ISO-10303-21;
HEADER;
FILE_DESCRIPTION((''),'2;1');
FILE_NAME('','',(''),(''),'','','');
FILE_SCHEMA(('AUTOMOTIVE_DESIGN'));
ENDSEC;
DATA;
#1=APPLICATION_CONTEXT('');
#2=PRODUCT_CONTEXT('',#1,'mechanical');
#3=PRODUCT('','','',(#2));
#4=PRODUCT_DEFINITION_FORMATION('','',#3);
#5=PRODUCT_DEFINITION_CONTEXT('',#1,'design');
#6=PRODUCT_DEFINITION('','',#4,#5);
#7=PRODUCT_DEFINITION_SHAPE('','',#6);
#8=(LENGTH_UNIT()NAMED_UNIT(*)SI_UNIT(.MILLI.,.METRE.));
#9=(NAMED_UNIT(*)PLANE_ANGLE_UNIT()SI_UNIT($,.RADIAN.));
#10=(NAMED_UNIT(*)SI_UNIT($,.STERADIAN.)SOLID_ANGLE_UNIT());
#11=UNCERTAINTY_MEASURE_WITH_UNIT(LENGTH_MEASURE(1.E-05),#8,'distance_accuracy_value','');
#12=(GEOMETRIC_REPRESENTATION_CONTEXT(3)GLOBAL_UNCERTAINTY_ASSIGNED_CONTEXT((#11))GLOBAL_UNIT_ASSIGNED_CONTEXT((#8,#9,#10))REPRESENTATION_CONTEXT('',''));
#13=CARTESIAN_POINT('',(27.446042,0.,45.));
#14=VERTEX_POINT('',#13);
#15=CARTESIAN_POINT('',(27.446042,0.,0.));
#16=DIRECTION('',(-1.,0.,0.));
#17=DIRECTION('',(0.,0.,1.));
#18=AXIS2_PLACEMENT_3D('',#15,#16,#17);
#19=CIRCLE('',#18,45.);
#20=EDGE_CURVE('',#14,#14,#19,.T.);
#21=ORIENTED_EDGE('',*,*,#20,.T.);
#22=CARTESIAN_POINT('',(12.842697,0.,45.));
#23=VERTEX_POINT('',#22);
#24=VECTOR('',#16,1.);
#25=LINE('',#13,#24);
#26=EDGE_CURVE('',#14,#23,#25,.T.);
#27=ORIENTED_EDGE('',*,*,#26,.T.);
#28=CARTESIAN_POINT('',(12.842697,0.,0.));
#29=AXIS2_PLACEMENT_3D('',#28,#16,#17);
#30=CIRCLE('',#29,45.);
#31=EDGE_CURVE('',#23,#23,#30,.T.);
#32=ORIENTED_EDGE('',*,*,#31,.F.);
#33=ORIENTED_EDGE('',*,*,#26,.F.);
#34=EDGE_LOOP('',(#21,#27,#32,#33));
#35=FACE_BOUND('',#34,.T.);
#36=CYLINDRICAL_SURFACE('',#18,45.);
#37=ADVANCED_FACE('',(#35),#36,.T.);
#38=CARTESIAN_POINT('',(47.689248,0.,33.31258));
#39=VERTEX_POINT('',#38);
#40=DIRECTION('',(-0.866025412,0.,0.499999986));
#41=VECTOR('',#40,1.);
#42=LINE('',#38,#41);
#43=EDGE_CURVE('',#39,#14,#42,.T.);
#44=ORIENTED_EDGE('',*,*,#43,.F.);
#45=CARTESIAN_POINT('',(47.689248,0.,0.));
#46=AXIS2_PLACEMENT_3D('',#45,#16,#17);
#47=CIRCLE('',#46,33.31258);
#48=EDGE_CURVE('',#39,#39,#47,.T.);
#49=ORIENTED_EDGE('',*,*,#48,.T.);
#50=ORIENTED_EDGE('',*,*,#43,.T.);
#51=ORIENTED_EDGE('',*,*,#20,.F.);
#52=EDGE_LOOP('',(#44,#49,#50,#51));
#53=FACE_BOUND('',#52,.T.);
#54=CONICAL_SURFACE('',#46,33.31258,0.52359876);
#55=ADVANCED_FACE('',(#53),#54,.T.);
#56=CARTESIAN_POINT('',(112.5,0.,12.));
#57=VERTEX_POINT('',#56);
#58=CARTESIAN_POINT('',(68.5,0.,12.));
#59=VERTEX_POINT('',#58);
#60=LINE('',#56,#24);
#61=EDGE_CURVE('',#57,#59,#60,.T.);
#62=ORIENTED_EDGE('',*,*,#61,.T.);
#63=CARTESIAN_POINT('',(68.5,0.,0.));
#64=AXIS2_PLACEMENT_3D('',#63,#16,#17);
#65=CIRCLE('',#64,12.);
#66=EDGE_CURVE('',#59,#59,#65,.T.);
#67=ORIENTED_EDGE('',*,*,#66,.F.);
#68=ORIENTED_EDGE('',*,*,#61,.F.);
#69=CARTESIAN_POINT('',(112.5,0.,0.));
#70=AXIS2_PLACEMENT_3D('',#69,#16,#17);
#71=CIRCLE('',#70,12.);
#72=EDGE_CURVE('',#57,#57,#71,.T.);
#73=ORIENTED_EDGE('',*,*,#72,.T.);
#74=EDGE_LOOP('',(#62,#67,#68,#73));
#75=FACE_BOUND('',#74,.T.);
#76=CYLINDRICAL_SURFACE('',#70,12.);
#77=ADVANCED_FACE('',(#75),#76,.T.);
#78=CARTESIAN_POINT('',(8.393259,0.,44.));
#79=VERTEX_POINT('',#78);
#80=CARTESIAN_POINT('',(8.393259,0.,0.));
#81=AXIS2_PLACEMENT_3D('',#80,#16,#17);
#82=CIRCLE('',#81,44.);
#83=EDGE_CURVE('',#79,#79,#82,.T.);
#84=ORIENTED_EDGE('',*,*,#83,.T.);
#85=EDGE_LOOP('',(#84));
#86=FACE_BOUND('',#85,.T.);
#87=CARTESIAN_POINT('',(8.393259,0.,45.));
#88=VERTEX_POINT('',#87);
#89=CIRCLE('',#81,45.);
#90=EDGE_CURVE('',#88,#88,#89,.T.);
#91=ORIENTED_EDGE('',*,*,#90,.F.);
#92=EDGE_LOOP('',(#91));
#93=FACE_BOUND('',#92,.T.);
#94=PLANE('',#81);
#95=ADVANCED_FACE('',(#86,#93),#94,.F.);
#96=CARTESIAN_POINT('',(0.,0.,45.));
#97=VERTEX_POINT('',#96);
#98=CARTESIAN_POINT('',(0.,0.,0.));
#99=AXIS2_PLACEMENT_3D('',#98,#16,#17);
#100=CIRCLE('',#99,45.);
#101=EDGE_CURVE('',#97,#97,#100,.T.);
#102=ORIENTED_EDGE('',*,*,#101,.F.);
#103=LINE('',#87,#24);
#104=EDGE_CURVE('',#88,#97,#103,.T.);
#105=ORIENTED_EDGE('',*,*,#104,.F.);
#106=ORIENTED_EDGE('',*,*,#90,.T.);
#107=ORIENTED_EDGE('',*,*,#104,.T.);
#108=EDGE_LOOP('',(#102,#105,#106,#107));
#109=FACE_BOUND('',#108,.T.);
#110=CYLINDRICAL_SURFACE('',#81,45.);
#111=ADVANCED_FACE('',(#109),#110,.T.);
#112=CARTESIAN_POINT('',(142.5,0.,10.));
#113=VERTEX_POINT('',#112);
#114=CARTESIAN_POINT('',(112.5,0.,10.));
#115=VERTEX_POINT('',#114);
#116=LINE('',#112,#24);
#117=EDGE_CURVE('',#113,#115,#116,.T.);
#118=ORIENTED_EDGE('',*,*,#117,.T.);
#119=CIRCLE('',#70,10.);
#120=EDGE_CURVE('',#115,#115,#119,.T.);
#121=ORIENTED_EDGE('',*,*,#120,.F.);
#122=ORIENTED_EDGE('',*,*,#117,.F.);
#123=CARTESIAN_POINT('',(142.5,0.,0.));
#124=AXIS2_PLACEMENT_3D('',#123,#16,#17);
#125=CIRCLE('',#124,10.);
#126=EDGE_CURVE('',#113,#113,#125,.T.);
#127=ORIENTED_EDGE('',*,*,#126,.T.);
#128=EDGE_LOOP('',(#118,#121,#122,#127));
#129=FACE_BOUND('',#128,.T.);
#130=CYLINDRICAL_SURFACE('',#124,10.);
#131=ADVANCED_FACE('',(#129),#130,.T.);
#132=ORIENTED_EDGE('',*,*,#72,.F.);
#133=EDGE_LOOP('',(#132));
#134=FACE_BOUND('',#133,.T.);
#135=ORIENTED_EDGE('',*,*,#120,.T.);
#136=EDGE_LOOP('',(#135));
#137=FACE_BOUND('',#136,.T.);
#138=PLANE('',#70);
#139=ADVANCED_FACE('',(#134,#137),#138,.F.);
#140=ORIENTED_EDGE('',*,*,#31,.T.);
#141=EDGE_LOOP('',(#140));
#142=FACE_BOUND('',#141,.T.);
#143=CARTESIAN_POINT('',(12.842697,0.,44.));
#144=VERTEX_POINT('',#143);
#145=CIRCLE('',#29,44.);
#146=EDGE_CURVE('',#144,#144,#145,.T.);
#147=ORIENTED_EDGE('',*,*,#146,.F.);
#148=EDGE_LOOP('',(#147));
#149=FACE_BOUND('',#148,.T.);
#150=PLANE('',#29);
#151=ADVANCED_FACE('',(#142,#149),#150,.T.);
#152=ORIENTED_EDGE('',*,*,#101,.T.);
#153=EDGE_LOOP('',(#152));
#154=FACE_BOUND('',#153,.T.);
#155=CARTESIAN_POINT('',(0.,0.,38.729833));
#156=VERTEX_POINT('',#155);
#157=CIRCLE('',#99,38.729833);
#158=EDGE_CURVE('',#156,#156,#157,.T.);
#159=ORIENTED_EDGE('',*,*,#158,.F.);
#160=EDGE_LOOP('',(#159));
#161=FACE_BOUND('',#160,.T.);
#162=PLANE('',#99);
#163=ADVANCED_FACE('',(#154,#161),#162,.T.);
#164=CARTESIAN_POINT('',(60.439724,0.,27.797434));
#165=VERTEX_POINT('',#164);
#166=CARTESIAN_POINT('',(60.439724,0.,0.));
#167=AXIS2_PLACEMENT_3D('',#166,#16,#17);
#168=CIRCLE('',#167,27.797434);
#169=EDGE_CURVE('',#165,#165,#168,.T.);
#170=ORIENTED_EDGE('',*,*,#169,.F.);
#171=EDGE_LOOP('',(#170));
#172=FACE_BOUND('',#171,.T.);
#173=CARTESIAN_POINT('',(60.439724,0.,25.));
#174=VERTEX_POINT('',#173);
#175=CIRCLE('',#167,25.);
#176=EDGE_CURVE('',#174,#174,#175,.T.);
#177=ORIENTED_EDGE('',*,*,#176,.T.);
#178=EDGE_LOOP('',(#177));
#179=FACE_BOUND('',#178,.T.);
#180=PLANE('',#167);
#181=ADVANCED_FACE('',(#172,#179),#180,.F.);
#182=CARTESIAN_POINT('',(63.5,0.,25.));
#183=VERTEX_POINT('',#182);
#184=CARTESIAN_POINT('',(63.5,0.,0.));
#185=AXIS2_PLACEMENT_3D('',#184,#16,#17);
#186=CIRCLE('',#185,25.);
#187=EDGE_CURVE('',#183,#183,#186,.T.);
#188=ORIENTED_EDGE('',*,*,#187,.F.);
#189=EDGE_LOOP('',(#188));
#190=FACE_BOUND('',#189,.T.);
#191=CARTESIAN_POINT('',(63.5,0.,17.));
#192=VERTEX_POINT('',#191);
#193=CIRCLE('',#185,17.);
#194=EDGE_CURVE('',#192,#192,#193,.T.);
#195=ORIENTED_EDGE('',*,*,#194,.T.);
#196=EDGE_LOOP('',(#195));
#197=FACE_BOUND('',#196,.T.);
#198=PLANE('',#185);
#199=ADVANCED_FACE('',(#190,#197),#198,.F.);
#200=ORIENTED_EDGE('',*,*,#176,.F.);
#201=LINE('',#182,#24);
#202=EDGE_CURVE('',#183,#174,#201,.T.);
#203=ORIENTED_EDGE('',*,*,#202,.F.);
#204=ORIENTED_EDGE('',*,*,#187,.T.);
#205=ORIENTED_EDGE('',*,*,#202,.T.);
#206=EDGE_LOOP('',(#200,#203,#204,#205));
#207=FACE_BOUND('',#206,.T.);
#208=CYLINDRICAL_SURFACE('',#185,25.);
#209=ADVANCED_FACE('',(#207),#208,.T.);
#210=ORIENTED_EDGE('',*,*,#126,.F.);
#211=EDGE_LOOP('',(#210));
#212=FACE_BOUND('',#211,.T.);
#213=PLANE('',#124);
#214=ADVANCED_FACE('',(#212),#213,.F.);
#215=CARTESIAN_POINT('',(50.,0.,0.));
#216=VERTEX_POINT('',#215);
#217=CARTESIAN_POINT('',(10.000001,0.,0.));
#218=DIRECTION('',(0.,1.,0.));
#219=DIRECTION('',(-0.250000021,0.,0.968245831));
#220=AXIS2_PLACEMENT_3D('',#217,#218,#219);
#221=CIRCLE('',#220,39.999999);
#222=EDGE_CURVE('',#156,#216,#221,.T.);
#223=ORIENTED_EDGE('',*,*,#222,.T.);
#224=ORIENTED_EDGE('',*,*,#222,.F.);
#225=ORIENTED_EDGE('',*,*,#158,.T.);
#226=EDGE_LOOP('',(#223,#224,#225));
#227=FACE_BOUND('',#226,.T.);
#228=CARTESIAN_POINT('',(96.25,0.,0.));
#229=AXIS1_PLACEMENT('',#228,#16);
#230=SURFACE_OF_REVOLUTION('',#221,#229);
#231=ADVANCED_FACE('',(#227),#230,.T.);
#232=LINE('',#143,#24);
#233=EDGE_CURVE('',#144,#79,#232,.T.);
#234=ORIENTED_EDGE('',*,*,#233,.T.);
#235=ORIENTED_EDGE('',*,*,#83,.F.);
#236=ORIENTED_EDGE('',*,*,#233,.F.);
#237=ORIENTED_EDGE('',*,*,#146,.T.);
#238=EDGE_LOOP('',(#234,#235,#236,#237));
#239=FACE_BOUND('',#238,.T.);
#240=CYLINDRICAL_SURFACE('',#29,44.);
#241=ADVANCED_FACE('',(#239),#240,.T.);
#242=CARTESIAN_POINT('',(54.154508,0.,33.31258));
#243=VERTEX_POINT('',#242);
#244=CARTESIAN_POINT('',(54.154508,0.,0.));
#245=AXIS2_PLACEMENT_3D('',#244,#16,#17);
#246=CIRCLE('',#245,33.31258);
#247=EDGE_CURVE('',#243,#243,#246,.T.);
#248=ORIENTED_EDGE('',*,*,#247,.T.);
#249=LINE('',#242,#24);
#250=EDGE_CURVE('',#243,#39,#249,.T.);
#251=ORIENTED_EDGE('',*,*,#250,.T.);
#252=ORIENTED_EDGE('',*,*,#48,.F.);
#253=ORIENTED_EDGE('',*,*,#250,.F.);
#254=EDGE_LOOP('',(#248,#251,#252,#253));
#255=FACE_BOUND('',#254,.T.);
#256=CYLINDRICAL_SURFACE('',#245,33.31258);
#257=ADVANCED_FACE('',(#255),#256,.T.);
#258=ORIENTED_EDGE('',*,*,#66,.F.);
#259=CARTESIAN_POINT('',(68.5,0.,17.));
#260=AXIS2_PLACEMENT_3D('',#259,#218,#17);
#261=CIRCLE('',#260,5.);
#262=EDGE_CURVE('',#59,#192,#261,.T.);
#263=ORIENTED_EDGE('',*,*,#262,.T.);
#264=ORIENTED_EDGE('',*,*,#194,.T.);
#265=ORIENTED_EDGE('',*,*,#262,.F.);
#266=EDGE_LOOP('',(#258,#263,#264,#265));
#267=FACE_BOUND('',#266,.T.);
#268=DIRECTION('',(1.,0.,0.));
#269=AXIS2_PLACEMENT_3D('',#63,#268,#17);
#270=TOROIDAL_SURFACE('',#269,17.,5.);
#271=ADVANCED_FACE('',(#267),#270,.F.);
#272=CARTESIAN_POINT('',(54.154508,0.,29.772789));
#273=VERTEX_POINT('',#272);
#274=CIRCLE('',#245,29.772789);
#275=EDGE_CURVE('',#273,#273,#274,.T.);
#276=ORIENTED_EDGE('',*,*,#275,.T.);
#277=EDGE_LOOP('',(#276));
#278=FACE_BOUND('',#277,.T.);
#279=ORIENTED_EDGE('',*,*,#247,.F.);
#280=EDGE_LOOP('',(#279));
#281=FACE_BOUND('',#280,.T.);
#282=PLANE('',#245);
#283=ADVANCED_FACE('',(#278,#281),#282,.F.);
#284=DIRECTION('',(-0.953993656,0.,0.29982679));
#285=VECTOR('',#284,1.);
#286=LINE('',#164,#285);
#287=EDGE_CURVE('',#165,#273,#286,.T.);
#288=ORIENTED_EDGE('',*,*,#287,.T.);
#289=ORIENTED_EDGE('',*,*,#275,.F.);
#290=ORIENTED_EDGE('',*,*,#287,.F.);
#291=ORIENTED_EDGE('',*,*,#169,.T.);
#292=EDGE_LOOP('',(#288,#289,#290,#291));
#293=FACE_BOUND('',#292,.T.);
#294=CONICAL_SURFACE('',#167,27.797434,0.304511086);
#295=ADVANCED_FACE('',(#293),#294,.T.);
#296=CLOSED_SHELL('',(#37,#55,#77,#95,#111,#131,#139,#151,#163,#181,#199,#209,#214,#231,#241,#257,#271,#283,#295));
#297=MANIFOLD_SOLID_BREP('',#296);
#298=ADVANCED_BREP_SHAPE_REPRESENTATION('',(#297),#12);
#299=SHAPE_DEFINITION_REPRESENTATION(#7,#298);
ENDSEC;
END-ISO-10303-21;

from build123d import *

# Parameters (mm, degrees)
F2_R = 5


with BuildPart() as f1:
    # F0 (on Front) → F1 (revolve)
    with BuildSketch(Plane.XZ):
        with BuildLine():
            Line((8.393259, 45), (0, 45))
            Line((0, 45), (0, 38.729833))
            ThreePointArc((0, 38.729833), (34.494897, 31.622777), (50, 0))
            Line((50, 0), (142.5, 0))
            Line((142.5, 0), (142.5, 10))
            Line((142.5, 10), (112.5, 10))
            Line((112.5, 10), (112.5, 12))
            Line((112.5, 12), (63.5, 12))
            Line((63.5, 12), (63.5, 25))
            Line((63.5, 25), (60.439724, 25))
            Line((60.439724, 25), (60.439724, 27.797434))
            Line((60.439724, 27.797434), (54.154508, 29.772789))
            Line((54.154508, 29.772789), (54.154508, 33.31258))
            Line((54.154508, 33.31258), (47.689248, 33.31258))
            Line((47.689248, 33.31258), (27.446042, 45))
            Line((27.446042, 45), (12.842697, 45))
            Line((12.842697, 45), (12.842697, 44))
            Line((12.842697, 44), (8.393259, 44))
            Line((8.393259, 44), (8.393259, 45))
        make_face()
    revolve(axis=Axis((96.25, 0, 0), (-1, 0, 0)))

    # F2
    f2_edges = [f1.edges().sort_by_distance(p)[0] for p in [
        (63.5, 0, -12),
    ]]
    fillet(f2_edges, radius=F2_R)


solid = f1.part
